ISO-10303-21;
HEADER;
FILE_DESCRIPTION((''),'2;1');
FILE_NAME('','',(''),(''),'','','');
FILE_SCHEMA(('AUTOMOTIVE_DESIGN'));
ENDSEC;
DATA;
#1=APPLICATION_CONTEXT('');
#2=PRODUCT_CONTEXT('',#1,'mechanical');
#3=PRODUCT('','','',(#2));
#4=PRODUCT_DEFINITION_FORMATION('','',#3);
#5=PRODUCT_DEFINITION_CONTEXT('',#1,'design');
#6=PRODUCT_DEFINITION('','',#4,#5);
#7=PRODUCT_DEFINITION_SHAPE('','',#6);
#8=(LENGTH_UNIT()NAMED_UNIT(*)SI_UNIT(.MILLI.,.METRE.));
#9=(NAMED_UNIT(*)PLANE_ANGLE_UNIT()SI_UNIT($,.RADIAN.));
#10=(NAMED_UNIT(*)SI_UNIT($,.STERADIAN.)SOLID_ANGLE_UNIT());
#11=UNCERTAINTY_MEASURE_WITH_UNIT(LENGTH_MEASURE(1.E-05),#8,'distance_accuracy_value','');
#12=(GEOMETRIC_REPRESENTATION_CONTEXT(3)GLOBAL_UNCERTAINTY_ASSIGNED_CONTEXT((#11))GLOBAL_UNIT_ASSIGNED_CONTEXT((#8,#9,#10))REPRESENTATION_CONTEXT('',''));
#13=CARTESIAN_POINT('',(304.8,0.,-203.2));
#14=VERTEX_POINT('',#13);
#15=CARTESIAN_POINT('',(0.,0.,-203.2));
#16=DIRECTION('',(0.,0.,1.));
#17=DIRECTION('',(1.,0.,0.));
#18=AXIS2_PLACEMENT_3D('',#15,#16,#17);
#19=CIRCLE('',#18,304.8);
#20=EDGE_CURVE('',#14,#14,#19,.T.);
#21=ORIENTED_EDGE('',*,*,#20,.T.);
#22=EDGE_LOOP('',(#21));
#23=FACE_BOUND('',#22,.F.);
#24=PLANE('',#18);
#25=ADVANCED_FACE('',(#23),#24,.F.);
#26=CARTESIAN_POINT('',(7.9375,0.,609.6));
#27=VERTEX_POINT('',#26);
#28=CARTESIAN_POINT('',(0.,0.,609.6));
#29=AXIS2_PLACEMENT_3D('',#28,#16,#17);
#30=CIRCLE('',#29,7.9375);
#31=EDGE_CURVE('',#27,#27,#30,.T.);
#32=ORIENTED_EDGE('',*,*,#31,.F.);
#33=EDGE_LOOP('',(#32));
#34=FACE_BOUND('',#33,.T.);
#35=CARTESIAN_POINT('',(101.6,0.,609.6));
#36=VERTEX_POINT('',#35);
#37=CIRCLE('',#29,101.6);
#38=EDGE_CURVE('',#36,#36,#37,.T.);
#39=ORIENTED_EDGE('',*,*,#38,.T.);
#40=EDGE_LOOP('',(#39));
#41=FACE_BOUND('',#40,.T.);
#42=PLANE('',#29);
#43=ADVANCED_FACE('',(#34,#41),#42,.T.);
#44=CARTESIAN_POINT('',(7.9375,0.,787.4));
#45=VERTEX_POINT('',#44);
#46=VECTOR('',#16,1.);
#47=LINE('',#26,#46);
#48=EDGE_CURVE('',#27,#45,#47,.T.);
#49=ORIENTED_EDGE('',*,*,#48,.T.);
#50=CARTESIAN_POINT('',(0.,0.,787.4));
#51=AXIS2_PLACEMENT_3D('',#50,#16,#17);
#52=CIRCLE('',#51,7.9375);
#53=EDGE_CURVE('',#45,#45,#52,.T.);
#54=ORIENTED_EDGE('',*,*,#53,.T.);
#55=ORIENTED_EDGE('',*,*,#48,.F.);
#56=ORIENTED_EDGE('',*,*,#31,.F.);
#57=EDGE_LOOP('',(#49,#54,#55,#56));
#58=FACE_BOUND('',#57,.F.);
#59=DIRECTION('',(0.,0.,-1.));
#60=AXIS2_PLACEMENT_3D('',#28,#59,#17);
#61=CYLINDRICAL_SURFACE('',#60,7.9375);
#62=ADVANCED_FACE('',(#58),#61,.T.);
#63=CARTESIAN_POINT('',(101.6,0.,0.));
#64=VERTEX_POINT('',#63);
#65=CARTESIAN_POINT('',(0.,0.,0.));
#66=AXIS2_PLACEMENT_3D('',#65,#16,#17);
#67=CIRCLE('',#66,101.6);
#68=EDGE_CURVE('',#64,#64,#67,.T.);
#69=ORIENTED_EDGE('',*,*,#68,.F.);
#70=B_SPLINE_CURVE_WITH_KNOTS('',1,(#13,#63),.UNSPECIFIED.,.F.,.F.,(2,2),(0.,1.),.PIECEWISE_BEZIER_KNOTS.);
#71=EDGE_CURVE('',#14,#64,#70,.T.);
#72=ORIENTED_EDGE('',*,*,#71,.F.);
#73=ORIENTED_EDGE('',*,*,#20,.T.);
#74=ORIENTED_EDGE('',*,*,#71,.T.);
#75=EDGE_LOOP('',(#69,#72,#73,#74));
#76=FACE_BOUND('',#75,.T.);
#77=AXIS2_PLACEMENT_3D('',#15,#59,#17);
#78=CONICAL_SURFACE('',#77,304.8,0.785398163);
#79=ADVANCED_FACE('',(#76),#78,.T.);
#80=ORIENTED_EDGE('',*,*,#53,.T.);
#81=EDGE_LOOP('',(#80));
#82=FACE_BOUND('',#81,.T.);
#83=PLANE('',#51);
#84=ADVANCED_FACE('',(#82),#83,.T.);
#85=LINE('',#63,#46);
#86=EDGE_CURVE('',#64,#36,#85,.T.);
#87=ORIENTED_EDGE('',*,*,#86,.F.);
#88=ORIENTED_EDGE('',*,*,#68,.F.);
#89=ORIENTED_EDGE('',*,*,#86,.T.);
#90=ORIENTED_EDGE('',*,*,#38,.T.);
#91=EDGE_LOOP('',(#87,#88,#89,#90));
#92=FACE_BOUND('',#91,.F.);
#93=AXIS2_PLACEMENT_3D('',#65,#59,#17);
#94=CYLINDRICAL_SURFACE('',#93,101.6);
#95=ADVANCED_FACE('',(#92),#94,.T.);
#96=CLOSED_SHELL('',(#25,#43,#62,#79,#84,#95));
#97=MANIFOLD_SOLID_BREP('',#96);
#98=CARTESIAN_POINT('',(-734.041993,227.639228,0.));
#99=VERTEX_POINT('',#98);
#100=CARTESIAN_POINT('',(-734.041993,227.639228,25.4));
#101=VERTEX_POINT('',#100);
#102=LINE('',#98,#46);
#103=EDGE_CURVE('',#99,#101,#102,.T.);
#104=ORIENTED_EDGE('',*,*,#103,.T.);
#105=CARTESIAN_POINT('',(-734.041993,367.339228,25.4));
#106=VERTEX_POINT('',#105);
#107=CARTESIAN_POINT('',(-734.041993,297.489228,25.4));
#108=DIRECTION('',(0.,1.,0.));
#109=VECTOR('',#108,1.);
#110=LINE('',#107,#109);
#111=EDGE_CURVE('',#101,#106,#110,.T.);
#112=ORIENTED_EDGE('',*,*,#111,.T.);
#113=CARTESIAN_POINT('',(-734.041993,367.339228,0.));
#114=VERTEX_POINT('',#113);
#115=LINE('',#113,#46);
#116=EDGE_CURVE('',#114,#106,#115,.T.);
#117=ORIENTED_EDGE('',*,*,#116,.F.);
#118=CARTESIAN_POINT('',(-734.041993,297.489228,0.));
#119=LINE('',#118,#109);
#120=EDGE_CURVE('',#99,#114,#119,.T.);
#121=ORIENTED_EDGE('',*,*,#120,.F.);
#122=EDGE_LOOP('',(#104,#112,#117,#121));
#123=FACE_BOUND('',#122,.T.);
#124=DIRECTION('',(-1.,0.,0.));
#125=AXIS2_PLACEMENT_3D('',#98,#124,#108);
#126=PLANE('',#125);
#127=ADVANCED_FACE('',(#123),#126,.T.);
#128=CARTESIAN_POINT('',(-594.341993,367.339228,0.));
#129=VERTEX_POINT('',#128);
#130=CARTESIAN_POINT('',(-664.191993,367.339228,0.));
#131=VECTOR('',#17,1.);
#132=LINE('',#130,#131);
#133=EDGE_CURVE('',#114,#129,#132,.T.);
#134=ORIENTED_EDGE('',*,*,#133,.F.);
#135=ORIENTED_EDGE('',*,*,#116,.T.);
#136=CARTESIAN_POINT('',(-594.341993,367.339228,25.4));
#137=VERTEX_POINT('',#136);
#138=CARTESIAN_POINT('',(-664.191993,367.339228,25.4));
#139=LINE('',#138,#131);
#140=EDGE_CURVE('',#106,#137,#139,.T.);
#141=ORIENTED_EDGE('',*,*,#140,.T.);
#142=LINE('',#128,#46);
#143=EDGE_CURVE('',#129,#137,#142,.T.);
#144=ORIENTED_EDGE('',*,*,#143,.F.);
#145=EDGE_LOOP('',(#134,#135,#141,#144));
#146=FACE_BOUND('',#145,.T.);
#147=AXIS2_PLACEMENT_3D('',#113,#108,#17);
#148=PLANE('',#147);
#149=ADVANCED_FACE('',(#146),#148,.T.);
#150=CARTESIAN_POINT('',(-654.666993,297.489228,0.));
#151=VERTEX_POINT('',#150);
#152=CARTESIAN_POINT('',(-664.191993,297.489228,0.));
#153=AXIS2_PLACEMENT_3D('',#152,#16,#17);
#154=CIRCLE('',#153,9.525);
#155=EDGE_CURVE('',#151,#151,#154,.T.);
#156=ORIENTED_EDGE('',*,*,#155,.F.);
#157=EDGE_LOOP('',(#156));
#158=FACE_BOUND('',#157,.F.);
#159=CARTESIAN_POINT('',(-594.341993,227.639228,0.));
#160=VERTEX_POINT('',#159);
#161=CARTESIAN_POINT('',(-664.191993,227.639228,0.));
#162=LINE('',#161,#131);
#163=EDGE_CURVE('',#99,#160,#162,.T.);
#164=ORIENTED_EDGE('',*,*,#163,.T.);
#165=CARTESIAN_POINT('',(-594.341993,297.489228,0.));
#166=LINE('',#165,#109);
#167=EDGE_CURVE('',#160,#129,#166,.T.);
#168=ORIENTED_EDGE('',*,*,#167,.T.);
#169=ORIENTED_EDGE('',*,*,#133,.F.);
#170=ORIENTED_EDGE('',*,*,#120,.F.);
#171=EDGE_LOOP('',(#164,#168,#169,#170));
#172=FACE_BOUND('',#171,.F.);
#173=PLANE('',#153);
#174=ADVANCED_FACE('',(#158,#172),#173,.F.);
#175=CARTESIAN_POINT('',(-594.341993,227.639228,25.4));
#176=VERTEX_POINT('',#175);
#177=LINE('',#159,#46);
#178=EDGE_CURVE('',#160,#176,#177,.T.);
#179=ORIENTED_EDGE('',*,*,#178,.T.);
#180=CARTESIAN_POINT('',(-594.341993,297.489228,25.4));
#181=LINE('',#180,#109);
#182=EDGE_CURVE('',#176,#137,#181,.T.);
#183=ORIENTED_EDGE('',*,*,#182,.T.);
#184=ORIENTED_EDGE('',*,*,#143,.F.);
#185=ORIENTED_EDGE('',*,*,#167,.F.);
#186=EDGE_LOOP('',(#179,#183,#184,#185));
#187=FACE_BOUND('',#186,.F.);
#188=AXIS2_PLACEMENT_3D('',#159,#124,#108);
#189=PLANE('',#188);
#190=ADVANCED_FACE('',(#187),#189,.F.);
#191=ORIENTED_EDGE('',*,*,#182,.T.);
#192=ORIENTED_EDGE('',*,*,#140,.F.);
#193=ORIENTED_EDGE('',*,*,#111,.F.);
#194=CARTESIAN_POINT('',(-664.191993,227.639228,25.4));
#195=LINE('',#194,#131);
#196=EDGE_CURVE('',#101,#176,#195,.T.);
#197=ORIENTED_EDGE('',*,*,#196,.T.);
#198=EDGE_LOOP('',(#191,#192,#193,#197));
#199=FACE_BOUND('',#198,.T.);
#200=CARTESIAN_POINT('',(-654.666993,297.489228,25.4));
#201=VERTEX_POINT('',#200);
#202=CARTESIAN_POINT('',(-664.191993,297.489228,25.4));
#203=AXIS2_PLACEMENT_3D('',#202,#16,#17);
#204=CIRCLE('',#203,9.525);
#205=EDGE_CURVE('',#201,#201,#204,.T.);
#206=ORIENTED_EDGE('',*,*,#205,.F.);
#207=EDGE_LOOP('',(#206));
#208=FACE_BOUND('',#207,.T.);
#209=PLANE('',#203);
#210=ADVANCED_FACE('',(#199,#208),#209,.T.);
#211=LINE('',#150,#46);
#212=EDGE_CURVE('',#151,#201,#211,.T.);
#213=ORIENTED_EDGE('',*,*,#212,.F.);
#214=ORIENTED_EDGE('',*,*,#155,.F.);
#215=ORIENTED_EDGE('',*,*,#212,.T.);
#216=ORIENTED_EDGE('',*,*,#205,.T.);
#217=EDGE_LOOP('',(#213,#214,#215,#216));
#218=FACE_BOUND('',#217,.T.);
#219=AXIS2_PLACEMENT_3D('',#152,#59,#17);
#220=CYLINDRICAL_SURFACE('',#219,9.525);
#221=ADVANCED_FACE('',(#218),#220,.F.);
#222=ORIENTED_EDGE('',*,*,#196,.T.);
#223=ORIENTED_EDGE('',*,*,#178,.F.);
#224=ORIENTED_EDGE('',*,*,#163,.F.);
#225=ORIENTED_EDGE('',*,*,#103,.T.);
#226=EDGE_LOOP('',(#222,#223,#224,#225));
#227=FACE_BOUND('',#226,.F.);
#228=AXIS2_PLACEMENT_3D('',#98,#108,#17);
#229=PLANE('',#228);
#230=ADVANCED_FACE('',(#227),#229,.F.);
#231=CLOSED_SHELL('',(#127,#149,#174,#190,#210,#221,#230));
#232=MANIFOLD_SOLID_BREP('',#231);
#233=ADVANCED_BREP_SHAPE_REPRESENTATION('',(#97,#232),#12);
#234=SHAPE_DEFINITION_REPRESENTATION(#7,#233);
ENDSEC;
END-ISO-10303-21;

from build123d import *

# Parameters (mm, degrees)
F0_R      = 101.6
F1_DEPTH  = 609.6
F3_R      = 304.8
F1_FACE_R = 101.6
F5_R      = 7.9375
F6_DEPTH  = 177.8
F7_W      = 139.7
F7_H      = 139.7
F7_R      = 9.525
F8_DEPTH  = 25.4


with BuildPart() as f1:
    # F0 (on Top) → F1 (new body)
    with BuildSketch(Plane.XY):
        Circle(F0_R)
    extrude(amount=F1_DEPTH)

    # F3 (on offset) → F4 section 0
    with BuildSketch(Plane.XY.offset(-203.2)):
        Circle(F3_R)
    # F1_face (on face) → F4 section 1
    with BuildSketch(Plane(origin=(0, 0, 0), x_dir=(1, 0, 0), z_dir=(0, 0, -1))):
        Circle(F1_FACE_R)
    loft()

    # F5 (on face) → F6 (join)
    with BuildSketch(Plane.XY.offset(609.6)):
        Circle(F5_R)
    extrude(amount=F6_DEPTH)


with BuildPart() as f8:
    # F7 (on Top) → F8 (new body)
    with BuildSketch(Plane.XY):
        with Locations((-664.191993, 297.489228)):
            Rectangle(F7_W, F7_H)
        with Locations((-664.191993, 297.489228)):
            Circle(F7_R, mode=Mode.SUBTRACT)
    extrude(amount=F8_DEPTH)


solid = Compound([f1.part, f8.part])
